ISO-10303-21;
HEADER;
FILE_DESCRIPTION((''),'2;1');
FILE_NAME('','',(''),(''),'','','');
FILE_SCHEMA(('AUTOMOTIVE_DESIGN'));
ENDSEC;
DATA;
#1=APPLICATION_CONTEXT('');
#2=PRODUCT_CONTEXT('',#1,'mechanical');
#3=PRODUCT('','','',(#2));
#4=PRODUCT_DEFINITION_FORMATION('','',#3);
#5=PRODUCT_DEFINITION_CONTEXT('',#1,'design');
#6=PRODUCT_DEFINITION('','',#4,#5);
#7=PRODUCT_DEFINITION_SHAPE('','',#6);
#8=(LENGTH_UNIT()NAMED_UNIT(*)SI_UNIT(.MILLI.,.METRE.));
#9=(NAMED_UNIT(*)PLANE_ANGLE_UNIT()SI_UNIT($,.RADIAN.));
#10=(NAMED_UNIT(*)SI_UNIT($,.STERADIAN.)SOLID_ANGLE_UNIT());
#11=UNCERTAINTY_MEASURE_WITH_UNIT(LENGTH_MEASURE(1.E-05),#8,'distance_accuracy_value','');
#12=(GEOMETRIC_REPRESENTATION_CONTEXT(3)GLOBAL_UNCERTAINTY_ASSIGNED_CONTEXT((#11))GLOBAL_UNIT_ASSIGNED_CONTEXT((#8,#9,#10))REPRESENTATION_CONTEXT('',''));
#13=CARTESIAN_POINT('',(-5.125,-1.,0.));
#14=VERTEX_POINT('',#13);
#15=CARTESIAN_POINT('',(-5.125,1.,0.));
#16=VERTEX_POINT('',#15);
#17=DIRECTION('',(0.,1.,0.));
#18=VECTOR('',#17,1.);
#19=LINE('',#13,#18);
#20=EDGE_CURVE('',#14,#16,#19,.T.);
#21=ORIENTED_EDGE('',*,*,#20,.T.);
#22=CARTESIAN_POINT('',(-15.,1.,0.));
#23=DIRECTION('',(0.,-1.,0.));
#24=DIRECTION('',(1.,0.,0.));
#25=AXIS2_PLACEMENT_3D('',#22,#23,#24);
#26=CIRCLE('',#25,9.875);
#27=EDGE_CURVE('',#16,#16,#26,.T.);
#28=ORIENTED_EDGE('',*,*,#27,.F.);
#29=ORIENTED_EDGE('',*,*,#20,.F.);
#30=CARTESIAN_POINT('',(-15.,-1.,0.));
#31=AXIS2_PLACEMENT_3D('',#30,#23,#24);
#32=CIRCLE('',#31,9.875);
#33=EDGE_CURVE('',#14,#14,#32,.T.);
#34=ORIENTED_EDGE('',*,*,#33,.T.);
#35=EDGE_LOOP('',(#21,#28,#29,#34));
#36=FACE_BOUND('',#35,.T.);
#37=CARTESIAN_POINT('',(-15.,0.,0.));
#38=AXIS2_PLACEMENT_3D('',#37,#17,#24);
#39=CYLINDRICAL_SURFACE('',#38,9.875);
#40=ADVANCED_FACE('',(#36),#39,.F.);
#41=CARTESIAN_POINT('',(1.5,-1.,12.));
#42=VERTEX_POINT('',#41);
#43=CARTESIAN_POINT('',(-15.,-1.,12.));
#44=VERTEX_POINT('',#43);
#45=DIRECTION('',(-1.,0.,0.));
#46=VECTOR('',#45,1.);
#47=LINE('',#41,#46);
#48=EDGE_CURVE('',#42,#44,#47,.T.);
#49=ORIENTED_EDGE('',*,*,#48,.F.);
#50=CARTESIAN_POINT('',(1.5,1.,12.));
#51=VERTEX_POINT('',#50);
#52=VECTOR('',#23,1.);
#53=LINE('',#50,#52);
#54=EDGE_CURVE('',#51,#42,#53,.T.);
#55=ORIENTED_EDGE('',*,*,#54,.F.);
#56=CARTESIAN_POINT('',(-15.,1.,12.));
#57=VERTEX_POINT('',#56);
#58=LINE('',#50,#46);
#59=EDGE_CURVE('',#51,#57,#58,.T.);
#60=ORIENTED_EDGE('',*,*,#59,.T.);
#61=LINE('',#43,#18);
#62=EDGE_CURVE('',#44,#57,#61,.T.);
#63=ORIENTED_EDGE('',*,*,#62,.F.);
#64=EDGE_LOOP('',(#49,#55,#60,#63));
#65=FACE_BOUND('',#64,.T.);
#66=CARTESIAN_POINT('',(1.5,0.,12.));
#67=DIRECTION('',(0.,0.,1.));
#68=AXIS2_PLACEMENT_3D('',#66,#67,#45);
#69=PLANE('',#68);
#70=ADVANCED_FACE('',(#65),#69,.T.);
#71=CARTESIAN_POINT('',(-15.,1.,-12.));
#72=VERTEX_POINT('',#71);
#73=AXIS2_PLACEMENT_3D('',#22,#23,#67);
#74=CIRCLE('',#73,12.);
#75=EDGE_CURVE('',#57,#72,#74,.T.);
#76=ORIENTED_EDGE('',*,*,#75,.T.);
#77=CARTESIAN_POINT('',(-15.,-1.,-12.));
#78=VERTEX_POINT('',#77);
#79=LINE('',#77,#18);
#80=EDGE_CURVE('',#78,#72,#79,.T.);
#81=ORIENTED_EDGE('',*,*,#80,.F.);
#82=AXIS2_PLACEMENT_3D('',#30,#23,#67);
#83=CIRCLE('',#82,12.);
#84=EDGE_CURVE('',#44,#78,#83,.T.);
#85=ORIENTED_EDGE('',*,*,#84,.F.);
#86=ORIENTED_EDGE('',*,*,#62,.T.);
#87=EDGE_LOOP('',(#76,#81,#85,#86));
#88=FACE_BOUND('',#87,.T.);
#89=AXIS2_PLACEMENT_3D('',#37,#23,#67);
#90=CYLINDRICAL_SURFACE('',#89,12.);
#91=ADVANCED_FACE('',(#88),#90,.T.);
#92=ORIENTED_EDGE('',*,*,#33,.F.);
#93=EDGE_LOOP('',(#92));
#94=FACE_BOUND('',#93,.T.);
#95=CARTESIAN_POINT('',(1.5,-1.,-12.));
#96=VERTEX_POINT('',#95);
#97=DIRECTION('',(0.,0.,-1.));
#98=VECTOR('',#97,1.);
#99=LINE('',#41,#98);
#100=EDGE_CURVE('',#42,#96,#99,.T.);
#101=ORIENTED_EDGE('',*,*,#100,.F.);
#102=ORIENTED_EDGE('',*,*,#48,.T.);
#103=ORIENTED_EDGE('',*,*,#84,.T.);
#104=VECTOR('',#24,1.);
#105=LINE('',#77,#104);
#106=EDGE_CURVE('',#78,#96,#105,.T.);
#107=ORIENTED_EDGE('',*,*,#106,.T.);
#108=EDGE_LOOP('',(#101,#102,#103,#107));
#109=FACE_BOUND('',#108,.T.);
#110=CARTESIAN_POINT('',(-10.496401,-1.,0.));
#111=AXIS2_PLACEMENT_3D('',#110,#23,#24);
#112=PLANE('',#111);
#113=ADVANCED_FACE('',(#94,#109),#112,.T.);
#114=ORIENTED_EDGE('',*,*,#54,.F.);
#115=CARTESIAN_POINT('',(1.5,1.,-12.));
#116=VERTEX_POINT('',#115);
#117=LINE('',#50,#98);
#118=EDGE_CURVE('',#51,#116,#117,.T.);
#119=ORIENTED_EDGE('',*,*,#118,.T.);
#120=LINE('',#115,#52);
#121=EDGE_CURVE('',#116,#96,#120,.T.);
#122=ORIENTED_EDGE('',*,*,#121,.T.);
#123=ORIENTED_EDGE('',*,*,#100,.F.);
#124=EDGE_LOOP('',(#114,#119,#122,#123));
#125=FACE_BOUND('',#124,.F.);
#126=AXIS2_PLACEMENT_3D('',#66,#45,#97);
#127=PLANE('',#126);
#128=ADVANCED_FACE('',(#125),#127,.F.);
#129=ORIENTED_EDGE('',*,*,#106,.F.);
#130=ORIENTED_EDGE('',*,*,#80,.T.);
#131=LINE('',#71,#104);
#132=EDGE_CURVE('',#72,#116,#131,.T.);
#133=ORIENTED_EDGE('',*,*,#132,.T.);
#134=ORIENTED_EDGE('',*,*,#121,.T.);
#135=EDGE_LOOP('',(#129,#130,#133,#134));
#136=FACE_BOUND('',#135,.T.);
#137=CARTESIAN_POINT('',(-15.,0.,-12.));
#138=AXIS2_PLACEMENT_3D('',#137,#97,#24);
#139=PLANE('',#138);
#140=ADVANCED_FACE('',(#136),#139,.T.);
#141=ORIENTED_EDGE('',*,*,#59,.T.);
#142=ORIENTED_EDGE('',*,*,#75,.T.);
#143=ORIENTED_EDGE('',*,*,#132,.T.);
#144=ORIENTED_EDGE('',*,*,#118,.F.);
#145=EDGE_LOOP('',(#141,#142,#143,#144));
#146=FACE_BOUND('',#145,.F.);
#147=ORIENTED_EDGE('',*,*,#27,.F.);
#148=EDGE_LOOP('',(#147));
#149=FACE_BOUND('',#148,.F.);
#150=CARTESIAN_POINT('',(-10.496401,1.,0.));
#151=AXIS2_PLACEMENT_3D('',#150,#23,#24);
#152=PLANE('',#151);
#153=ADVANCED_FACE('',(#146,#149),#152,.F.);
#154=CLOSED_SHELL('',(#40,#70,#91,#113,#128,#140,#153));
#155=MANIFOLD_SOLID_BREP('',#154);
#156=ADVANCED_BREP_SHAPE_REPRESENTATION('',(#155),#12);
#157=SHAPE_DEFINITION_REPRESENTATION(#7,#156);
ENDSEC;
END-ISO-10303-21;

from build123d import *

# Parameters (mm, degrees)
SKETCH_R  = 9.875
PAD_DEPTH = 1


with BuildPart() as part:
    # Sketch → Pad (new body, symmetric)
    with BuildSketch(Plane.XZ):
        with BuildLine():
            Line((-15, -12), (1.5, -12))
            Line((1.5, 12), (1.5, -12))
            Line((1.5, 12), (-15, 12))
            ThreePointArc((-15, 12), (-27, 0), (-15, -12))
        make_face()
        with Locations((-15, 0)):
            Circle(SKETCH_R, mode=Mode.SUBTRACT)
    extrude(amount=PAD_DEPTH, both=True)


solid = part.part
